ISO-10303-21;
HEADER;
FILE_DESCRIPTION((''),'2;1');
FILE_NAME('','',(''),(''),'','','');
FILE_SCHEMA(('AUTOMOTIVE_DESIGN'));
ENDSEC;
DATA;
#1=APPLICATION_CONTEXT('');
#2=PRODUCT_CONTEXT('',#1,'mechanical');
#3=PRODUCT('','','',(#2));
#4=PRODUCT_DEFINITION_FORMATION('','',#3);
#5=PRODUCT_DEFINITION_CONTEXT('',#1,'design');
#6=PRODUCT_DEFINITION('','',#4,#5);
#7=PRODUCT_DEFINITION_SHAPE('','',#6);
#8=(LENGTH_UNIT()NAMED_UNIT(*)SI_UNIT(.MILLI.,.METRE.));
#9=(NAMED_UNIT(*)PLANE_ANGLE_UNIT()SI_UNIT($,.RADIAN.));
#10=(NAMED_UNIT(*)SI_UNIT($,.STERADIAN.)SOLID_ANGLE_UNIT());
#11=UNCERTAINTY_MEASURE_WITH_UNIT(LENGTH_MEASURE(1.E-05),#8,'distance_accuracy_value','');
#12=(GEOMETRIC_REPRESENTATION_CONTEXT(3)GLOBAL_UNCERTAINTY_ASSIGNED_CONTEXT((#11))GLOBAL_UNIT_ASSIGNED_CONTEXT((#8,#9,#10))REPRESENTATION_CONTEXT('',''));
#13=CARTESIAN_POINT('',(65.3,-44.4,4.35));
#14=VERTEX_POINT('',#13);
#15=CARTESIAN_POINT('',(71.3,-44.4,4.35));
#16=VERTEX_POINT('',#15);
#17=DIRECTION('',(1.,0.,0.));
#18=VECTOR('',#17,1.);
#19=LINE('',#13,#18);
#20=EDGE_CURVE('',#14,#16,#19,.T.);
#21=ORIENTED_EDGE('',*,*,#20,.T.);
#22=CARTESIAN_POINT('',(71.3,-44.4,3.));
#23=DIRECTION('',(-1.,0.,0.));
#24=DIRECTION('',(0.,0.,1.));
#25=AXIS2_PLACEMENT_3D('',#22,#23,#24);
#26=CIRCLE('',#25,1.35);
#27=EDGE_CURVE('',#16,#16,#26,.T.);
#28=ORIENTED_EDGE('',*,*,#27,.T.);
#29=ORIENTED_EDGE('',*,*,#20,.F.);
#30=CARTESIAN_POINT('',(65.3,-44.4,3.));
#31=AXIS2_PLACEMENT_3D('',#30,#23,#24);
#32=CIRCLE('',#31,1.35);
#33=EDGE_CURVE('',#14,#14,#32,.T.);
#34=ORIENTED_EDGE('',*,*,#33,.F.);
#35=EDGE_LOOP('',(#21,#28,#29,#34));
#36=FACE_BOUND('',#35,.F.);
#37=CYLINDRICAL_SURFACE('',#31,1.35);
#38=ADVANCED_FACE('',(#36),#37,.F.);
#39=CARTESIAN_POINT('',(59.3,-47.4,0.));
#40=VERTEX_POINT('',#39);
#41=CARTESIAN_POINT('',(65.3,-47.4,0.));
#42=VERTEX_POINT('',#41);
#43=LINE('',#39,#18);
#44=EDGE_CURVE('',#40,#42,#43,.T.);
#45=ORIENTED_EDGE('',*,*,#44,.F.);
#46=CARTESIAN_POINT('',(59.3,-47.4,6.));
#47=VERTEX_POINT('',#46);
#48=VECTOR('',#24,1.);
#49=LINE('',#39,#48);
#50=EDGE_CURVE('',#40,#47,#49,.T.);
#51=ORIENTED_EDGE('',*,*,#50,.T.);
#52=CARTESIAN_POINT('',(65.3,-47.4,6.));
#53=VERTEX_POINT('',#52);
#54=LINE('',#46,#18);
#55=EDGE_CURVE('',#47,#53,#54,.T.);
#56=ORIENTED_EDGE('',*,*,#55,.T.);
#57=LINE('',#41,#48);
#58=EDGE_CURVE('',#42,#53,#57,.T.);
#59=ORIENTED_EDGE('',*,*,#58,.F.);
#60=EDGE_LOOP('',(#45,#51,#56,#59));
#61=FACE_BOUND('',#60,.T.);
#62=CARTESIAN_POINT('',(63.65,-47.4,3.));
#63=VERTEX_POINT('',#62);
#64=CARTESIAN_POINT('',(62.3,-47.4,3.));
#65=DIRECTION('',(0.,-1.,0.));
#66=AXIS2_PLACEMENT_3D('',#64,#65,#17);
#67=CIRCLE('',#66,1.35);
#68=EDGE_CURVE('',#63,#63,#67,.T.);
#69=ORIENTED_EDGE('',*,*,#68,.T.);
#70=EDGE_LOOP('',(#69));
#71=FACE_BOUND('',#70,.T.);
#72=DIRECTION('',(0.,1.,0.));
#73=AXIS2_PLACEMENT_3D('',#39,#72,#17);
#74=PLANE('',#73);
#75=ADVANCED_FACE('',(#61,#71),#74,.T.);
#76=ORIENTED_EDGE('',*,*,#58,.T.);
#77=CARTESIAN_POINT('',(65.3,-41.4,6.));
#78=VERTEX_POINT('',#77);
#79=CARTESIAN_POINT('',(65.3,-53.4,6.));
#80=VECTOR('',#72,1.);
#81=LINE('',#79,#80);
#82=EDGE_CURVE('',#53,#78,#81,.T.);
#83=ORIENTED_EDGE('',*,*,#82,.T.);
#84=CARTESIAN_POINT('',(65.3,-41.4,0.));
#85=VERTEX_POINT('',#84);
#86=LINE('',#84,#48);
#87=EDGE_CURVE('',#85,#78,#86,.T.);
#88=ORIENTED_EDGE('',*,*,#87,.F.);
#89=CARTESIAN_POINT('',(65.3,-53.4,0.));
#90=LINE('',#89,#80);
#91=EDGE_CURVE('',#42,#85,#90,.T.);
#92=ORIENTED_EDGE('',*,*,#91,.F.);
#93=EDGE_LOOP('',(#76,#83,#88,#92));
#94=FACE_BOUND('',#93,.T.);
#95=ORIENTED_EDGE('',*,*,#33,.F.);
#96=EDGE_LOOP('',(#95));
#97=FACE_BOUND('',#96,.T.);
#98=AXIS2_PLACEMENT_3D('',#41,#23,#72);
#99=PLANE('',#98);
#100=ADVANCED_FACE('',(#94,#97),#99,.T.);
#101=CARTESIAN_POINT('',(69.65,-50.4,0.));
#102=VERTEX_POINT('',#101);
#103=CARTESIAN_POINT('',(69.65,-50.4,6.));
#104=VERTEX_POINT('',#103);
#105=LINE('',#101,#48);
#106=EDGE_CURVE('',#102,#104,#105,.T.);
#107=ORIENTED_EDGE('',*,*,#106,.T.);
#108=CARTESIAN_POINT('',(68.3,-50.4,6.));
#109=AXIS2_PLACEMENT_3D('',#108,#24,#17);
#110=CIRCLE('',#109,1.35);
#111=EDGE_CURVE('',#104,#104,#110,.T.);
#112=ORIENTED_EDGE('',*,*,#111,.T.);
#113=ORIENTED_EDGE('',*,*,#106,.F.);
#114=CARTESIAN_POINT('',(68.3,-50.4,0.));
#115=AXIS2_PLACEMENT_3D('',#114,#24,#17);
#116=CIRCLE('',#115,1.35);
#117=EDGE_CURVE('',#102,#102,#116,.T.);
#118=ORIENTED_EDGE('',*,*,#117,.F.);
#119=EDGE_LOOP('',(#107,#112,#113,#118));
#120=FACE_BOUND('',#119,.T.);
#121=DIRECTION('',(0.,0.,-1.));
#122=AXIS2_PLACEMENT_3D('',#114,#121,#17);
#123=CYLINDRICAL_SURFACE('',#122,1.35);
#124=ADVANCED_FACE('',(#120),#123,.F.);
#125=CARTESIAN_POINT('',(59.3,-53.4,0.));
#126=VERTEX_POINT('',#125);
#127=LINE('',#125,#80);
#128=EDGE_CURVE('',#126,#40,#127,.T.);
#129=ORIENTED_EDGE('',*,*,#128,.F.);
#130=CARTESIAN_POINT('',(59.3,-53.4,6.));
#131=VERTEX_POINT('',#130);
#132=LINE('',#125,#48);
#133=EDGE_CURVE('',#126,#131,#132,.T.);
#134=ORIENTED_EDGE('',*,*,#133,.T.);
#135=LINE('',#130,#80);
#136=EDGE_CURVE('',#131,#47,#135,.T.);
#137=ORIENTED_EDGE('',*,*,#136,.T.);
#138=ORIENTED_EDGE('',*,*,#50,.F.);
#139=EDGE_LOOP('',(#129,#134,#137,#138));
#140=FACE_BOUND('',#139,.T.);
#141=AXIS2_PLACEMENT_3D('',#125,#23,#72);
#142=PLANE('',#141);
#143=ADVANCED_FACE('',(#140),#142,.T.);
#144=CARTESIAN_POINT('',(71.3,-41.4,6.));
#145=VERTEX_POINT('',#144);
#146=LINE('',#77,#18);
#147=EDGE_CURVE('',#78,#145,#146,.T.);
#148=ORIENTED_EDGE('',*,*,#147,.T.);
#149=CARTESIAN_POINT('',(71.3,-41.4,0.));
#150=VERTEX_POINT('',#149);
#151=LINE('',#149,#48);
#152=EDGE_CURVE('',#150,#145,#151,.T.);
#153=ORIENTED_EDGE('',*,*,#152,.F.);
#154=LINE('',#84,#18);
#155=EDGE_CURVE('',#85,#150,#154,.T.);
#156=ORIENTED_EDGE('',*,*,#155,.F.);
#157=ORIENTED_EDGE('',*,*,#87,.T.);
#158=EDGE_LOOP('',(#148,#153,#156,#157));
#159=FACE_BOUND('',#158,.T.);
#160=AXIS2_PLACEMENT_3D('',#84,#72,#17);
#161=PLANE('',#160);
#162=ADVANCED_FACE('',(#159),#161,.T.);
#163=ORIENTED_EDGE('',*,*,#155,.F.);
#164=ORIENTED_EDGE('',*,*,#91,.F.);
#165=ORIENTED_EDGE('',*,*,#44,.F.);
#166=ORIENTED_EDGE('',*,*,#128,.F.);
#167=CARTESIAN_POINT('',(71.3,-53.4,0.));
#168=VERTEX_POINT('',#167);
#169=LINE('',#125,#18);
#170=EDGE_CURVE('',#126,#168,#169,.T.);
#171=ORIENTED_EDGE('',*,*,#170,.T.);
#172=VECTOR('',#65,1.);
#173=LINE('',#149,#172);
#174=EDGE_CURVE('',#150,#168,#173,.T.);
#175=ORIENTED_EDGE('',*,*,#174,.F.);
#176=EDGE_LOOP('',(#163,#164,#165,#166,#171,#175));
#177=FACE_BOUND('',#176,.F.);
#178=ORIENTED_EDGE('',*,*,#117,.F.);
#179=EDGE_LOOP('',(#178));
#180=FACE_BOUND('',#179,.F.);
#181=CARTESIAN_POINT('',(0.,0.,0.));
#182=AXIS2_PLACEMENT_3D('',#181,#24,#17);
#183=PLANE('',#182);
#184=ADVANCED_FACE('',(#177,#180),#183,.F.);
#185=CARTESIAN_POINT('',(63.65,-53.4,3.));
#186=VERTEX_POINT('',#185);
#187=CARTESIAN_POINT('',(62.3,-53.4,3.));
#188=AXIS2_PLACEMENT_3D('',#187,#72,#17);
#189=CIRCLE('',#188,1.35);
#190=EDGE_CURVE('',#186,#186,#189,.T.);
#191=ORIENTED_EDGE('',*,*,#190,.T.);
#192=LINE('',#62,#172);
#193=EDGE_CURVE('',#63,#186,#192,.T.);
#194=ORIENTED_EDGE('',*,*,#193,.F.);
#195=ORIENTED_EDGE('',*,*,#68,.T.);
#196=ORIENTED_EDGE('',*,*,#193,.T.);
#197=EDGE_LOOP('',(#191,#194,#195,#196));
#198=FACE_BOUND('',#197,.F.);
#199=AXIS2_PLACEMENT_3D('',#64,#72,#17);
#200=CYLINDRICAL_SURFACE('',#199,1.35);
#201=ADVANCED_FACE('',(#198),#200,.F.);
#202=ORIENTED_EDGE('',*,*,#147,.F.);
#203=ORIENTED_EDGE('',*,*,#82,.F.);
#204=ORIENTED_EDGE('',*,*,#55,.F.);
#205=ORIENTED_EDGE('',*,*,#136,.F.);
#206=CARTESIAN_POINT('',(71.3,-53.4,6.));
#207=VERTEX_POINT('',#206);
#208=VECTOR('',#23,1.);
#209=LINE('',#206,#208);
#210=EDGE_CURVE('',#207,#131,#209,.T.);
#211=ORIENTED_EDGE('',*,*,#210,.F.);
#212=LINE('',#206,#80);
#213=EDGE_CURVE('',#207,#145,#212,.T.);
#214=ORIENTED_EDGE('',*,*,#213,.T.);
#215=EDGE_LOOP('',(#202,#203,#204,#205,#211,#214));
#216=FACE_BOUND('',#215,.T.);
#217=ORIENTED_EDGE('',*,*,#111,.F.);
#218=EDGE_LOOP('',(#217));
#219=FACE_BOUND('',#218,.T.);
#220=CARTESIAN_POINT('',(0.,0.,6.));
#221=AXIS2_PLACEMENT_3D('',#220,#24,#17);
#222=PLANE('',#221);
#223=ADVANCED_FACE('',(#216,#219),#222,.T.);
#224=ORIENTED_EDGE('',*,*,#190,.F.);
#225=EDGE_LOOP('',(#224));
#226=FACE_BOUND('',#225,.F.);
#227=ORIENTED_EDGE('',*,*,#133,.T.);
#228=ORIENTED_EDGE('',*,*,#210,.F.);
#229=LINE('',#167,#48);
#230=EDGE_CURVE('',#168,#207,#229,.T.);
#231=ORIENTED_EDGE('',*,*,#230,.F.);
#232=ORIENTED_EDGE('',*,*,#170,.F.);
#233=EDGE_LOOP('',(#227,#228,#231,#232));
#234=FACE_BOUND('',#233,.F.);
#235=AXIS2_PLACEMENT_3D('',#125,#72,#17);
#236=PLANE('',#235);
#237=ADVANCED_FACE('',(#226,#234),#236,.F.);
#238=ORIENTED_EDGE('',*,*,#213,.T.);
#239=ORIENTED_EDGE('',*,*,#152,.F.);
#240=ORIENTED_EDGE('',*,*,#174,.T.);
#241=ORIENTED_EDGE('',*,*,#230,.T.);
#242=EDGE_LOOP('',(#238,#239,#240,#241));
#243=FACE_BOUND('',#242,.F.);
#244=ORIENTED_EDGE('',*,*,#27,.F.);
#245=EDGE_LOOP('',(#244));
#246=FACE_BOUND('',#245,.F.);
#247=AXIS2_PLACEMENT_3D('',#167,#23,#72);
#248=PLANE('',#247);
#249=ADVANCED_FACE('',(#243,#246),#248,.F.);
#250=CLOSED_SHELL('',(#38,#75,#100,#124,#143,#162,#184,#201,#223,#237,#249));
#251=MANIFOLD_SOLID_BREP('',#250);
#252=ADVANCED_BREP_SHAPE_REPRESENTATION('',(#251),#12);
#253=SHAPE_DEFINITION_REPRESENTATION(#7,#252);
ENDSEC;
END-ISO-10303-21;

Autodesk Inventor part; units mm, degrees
ref_plane "YZ Plane" through (0, 0, 0) normal (1, 0, 0) x (0, 1, 0)
ref_plane "XZ Plane" through (0, 0, 0) normal (0, 1, 0) x (-1, 0, 0)
ref_plane "XY Plane" through (0, 0, 0) normal (0, 0, 1) x (1, 0, 0)
sketch "스케치1" plane through (0, 0, 0) normal (0, 0, 1) x (1, 0, 0)
  line L0 (-71.3, 53.4) -> (-71.3, -53.4) projected
  line L1 (-71.3, -53.4) -> (71.3, -53.4) projected
  line L2 (71.3, -53.4) -> (71.3, 53.4) projected
  line L3 (71.3, 53.4) -> (-71.3, 53.4) projected
  line L4 (71.3, -53.4) -> (59.3, -53.4)
  line L5 (59.3, -53.4) -> (59.3, -47.4)
  line L6 (59.3, -47.4) -> (71.3, -47.4)
  line L7 (71.3, -47.4) -> (71.3, -53.4)
  line L8 (71.3, -53.4) -> (65.3, -53.4)
  line L9 (65.3, -53.4) -> (65.3, -41.4)
  line L10 (65.3, -41.4) -> (71.3, -41.4)
  line L11 (71.3, -41.4) -> (71.3, -53.4)
  circle A0 centre (68.3, -50.4) radius 1.35
  circle A1 centre (68.3, 50.4) radius 1.35 projected
  circle A2 centre (-68.3, 50.4) radius 1.35 projected
  circle A3 centre (-68.3, -50.4) radius 1.35 projected
  circle A4 centre (68.3, -50.4) radius 1.35 projected
  point P0 (0, 0)
  point P1 (65.3, -47.4)
  dimension "d0" = 12
  dimension "d1" = 6
  dimension "d2" = 6
  dimension "d3" = 12
  dimension "d12" = 2.7
extrude "돌출1" add sketch "스케치1" along normal blind 6 contours L5 L6 L9 L1 | L2 L6 L9 L10 | L9 L6 L2 L1
sketch "스케치2" plane through (59.3, -47.4, 0) normal (0, 1, 0) x (1, 0, 0)
  line L0 (0, 0) -> (0, -6) projected
  line L1 (0, -3) -> (6, -3)
  line L2 (6, 0) -> (6, -6) projected
  circle A0 centre (3, -3) radius 1.35
  point P0 (-59.3, 0)
  dimension "d6" = 2.7
extrude "돌출2" cut sketch "스케치2" against normal up to next
sketch "스케치3" plane through (65.3, -47.4, 0) normal (-1, 0, 0) x (0, 0, 1)
  line L0 (0, 6) -> (0, 0) projected
  line L1 (0, 0) -> (6, 0) projected
  line L2 (6, 6) -> (6, 0) projected
  line L3 (0, 6) -> (6, 6) projected
  circle A0 centre (3, 3) radius 1.35
  point P0 (0, 47.4)
  dimension "d9" = 2.7
extrude "돌출3" cut sketch "스케치3" against normal up to next contours A0
properties part number "chest_box_cap_connect"
